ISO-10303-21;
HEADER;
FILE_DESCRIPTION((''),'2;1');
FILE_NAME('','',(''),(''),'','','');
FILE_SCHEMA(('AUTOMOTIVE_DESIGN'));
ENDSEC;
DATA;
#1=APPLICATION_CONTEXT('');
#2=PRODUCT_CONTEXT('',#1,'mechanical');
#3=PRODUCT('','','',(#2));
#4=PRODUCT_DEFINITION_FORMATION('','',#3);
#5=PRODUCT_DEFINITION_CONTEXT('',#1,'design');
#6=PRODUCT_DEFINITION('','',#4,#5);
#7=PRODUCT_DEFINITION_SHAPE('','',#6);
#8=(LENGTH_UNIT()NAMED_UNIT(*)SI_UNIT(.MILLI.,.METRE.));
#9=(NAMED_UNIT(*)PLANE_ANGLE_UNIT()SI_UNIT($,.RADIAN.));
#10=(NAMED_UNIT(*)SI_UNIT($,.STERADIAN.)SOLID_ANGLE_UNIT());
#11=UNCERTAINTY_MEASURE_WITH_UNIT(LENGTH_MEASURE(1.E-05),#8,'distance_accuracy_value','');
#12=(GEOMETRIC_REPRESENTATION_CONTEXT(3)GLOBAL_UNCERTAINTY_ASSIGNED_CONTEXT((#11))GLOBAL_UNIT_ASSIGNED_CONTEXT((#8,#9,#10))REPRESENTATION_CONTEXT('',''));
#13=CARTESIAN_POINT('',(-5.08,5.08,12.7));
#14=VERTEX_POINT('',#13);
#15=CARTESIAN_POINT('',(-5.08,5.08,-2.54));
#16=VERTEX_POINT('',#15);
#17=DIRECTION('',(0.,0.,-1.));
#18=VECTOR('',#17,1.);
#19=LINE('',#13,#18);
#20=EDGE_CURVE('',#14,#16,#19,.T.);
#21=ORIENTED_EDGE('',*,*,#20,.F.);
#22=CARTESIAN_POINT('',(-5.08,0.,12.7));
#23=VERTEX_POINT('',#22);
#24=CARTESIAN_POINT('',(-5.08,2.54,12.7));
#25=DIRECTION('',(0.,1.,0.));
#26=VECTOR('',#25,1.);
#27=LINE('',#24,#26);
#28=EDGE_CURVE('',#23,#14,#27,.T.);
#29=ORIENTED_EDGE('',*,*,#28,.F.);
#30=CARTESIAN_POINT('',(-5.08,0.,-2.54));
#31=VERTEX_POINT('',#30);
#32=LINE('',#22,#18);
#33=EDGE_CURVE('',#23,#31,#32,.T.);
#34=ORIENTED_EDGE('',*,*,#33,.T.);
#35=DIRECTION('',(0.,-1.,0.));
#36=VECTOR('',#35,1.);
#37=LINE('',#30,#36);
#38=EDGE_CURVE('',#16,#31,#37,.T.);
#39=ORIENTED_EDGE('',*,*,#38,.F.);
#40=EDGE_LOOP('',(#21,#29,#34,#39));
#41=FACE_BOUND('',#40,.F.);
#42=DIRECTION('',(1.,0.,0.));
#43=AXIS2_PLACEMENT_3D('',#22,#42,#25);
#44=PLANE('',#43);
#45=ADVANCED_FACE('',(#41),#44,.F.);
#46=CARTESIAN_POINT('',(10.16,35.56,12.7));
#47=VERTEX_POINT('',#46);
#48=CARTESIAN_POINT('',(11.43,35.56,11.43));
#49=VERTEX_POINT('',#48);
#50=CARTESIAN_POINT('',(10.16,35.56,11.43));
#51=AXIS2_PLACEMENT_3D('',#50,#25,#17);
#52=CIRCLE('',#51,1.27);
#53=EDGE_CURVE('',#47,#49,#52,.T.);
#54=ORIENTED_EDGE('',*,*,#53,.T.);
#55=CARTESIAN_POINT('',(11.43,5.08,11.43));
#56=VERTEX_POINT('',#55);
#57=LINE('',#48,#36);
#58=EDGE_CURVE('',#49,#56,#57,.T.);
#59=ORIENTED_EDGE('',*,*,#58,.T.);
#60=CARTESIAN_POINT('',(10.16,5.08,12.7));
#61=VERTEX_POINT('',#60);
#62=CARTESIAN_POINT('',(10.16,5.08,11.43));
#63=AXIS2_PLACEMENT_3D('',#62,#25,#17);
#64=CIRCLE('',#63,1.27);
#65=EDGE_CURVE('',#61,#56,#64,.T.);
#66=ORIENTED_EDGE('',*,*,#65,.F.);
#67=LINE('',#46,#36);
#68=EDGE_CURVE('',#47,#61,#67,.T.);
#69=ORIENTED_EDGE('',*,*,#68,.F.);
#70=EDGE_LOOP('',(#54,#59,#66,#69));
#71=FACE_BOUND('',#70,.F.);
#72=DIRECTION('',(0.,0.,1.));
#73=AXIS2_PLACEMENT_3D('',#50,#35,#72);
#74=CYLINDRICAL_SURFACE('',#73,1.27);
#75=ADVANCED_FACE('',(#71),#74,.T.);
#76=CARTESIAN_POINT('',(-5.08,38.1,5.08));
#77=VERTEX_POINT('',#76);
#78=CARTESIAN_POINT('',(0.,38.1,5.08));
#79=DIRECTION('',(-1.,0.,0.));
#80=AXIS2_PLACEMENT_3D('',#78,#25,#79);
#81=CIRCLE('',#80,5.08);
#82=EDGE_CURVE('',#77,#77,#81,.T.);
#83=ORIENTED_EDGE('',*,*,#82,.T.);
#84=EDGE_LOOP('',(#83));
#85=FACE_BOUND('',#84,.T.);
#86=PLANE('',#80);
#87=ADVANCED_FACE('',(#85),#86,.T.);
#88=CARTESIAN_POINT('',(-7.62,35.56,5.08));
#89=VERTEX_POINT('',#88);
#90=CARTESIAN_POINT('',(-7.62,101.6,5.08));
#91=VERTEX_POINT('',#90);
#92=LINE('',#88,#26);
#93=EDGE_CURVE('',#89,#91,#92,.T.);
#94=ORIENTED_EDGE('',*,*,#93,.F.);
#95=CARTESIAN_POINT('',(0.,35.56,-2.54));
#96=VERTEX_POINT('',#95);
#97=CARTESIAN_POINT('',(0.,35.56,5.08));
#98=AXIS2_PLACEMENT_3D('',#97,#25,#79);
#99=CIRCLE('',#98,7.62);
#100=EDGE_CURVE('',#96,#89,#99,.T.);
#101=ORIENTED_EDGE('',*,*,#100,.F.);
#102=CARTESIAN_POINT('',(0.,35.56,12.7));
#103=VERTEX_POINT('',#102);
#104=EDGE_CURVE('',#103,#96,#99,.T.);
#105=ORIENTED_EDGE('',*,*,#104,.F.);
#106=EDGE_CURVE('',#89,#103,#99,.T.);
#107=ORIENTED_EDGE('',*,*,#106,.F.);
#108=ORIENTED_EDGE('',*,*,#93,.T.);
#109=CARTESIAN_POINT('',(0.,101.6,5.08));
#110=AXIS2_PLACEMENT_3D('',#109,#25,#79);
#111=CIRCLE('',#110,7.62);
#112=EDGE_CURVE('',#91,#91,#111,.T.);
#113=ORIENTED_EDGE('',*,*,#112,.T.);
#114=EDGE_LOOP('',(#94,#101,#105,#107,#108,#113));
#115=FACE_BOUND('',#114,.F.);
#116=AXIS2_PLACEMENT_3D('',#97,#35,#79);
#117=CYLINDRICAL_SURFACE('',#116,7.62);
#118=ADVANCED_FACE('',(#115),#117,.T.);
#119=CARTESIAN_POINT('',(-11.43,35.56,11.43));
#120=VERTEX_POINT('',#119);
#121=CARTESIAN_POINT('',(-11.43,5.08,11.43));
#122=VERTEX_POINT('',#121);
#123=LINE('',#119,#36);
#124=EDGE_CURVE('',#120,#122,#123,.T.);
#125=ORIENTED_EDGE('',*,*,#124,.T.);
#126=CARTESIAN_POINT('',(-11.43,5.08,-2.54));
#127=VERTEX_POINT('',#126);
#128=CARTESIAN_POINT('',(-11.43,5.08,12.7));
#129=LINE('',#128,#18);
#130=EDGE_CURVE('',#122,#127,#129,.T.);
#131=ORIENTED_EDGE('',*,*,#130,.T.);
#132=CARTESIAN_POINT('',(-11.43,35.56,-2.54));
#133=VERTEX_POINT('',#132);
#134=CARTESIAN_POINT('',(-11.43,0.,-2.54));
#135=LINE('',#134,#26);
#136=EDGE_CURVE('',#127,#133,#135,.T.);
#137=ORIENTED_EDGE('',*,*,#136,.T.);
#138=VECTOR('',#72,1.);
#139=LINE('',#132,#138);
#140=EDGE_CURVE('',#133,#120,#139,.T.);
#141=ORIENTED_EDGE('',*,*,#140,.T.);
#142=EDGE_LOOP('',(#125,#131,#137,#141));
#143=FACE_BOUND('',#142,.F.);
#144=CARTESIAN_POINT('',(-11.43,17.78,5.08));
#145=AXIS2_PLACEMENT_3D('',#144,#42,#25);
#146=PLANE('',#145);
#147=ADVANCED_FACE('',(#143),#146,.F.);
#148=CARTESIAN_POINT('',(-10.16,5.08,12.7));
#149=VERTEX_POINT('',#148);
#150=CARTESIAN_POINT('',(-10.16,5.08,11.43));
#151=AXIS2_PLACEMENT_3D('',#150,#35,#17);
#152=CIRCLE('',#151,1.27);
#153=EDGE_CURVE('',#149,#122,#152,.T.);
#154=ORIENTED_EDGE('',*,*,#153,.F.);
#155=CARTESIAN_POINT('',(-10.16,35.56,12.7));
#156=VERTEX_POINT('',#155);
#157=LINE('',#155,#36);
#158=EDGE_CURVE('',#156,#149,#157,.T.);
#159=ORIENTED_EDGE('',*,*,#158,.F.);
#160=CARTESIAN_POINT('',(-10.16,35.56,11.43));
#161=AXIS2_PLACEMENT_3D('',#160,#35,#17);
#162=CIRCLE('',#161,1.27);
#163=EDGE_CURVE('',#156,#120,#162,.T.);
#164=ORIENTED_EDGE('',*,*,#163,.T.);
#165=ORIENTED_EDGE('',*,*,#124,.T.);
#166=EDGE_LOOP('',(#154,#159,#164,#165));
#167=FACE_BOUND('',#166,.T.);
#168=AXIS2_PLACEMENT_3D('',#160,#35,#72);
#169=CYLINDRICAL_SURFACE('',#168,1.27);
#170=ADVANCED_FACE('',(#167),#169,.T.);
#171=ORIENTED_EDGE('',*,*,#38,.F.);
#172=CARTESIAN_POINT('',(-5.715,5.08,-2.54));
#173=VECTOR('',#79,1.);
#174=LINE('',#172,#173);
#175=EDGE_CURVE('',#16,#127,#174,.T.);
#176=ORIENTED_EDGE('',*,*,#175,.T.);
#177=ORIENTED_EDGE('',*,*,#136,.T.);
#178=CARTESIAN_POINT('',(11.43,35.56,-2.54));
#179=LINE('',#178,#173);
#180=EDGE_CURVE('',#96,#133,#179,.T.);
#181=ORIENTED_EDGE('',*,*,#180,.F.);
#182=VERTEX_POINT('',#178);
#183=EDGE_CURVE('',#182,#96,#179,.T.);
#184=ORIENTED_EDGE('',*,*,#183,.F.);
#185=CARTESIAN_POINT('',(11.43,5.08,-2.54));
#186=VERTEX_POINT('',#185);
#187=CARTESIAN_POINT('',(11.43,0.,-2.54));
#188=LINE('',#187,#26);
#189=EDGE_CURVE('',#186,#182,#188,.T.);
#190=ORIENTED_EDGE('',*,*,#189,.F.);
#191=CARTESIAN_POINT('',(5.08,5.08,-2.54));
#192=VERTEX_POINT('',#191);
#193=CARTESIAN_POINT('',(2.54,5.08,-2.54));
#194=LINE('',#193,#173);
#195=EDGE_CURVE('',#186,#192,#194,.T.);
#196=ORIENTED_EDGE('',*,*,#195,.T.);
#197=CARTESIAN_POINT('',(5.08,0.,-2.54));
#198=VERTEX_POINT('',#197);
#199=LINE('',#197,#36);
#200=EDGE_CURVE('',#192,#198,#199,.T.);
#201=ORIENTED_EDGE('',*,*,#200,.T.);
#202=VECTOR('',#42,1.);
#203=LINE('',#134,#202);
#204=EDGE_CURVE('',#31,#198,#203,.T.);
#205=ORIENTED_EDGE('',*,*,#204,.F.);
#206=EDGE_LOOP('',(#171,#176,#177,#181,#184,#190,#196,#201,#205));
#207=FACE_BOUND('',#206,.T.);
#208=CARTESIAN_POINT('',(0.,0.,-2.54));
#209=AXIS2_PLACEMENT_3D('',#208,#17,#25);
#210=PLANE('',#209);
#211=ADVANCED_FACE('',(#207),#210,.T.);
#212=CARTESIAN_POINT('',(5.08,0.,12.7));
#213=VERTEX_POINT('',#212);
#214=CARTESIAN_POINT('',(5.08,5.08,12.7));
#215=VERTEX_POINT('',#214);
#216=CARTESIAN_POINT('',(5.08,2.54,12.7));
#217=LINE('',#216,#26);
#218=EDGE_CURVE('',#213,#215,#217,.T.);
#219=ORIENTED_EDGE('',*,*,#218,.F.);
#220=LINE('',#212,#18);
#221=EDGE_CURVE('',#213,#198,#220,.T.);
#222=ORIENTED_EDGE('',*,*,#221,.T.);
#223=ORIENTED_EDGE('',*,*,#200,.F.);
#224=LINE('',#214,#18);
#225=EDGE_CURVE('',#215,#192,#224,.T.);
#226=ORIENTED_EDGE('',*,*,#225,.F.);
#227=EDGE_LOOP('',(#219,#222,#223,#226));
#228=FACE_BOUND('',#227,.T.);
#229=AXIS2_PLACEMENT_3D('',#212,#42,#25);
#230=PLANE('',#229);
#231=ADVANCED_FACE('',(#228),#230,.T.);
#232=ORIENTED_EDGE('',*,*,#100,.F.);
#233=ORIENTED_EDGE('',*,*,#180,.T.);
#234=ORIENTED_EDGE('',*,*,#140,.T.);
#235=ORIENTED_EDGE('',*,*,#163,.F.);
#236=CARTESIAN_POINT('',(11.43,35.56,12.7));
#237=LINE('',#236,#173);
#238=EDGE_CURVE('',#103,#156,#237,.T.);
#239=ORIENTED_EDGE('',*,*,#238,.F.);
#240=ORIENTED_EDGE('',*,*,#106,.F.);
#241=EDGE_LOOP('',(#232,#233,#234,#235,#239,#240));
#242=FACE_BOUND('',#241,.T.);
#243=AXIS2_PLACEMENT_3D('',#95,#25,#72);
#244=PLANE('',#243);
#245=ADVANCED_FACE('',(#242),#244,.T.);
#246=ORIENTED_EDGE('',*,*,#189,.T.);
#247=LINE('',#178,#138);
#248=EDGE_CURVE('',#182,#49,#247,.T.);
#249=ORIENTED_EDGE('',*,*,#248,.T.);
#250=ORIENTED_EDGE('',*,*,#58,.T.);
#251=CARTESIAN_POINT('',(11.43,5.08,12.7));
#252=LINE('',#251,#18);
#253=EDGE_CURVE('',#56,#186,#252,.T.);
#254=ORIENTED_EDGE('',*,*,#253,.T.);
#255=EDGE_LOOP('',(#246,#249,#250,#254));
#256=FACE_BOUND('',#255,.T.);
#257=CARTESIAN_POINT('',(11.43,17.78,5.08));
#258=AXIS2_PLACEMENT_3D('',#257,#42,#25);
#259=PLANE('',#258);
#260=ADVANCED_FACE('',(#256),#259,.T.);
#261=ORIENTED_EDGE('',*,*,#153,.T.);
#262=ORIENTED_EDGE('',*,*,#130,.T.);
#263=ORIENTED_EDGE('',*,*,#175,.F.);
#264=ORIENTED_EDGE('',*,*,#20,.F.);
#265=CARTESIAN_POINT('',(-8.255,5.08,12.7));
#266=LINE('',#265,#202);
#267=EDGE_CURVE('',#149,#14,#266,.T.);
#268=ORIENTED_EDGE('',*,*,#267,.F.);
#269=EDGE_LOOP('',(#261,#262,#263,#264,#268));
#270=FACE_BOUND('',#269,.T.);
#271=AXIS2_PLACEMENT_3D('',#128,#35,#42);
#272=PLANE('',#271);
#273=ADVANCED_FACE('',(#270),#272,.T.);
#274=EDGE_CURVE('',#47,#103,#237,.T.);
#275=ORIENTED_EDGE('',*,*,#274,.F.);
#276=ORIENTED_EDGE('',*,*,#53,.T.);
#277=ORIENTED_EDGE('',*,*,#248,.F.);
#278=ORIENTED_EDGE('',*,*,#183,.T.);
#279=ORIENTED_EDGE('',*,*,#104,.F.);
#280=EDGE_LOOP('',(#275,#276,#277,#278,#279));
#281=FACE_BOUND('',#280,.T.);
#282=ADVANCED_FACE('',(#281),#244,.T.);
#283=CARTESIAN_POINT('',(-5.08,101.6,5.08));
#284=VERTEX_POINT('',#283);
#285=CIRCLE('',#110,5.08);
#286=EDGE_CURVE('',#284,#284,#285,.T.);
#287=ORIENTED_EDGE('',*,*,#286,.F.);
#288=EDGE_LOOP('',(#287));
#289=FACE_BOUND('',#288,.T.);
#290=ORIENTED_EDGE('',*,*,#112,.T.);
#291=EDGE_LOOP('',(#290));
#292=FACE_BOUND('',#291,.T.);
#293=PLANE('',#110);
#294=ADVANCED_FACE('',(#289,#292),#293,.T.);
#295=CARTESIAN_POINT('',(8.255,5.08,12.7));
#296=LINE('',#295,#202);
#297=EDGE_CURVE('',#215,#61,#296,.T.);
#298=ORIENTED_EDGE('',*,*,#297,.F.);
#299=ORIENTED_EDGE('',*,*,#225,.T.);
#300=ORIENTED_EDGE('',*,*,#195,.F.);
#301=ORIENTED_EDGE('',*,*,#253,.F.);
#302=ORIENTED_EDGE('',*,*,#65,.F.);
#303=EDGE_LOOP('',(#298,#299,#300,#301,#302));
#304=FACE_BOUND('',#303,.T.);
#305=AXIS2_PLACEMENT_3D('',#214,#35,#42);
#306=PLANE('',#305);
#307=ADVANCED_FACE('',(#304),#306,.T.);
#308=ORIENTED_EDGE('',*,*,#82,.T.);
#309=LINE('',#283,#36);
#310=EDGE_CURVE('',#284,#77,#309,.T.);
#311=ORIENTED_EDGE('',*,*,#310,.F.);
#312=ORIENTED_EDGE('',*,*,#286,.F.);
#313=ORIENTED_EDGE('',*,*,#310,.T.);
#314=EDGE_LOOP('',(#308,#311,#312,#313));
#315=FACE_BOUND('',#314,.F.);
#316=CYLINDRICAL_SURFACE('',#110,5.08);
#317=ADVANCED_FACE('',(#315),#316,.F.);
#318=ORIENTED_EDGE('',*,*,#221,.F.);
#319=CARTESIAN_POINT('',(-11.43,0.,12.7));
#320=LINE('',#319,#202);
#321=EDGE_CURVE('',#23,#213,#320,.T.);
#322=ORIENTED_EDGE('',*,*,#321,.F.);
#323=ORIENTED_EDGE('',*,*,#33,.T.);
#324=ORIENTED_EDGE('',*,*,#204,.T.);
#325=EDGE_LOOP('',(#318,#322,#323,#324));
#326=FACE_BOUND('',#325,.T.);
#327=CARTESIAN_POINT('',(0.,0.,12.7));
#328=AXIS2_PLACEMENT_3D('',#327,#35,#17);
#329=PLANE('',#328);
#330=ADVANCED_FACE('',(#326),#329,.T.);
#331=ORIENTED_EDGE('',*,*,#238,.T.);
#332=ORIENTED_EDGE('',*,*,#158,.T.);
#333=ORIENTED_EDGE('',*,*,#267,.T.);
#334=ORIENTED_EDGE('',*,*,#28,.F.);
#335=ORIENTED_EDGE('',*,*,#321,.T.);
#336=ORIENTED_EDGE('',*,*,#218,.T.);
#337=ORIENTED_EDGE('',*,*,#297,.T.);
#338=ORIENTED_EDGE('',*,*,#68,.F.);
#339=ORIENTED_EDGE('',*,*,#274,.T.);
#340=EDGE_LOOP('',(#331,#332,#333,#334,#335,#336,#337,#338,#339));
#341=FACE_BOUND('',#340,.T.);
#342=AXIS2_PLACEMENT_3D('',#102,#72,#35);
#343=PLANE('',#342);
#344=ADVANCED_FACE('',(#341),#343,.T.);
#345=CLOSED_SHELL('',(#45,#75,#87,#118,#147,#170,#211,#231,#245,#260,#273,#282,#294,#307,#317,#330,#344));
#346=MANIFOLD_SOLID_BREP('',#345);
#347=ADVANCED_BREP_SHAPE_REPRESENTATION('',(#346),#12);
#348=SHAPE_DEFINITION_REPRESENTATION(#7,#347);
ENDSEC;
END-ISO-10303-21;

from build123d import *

# Parameters (mm, degrees)
F1_DEPTH = 11.43
F2_W     = 6.35
F2_H     = 5.08
F3_DEPTH = 25.4
F4_R     = 7.62
F5_DEPTH = 66.04
F6_R     = 5.08
F7_DEPTH = 63.5
F8_R     = 1.27


with BuildPart() as f1:
    # F0 (on Right) → F1 (new body, symmetric)
    with BuildSketch(Plane.YZ):
        Polygon((35.56, 12.7), (0, 12.7), (0, 0), (0, -2.54), (35.56, -2.54), (35.56, 0), align=None)
    extrude(amount=F1_DEPTH, both=True)

    # F2 (on face) → F3 (cut)
    with BuildSketch(Plane.XY.offset(12.7)):
        with Locations((-8.255, 2.54)):
            Rectangle(F2_W, F2_H)
        with Locations((8.255, 2.54)):
            Rectangle(F2_W, F2_H)
    extrude(amount=-F3_DEPTH, mode=Mode.SUBTRACT)

    # F4 (on face) → F5 (join)
    with BuildSketch(Plane(origin=(0, 35.56, 0), x_dir=(-1, 0, 0), z_dir=(0, 1, 0))):
        with Locations((0, 5.08)):
            Circle(F4_R)
    extrude(amount=F5_DEPTH)

    # F6 (on face) → F7 (cut)
    with BuildSketch(Plane(origin=(0, 101.6, 0), x_dir=(-1, 0, 0), z_dir=(0, 1, 0))):
        with Locations((0, 5.08)):
            Circle(F6_R)
    extrude(amount=-F7_DEPTH, mode=Mode.SUBTRACT)

    # F8
    f8_edges = [f1.edges().sort_by_distance(p)[0] for p in [
        (-11.43, 20.32, 12.7),
        (11.43, 20.32, 12.7),
    ]]
    fillet(f8_edges, radius=F8_R)


solid = f1.part
